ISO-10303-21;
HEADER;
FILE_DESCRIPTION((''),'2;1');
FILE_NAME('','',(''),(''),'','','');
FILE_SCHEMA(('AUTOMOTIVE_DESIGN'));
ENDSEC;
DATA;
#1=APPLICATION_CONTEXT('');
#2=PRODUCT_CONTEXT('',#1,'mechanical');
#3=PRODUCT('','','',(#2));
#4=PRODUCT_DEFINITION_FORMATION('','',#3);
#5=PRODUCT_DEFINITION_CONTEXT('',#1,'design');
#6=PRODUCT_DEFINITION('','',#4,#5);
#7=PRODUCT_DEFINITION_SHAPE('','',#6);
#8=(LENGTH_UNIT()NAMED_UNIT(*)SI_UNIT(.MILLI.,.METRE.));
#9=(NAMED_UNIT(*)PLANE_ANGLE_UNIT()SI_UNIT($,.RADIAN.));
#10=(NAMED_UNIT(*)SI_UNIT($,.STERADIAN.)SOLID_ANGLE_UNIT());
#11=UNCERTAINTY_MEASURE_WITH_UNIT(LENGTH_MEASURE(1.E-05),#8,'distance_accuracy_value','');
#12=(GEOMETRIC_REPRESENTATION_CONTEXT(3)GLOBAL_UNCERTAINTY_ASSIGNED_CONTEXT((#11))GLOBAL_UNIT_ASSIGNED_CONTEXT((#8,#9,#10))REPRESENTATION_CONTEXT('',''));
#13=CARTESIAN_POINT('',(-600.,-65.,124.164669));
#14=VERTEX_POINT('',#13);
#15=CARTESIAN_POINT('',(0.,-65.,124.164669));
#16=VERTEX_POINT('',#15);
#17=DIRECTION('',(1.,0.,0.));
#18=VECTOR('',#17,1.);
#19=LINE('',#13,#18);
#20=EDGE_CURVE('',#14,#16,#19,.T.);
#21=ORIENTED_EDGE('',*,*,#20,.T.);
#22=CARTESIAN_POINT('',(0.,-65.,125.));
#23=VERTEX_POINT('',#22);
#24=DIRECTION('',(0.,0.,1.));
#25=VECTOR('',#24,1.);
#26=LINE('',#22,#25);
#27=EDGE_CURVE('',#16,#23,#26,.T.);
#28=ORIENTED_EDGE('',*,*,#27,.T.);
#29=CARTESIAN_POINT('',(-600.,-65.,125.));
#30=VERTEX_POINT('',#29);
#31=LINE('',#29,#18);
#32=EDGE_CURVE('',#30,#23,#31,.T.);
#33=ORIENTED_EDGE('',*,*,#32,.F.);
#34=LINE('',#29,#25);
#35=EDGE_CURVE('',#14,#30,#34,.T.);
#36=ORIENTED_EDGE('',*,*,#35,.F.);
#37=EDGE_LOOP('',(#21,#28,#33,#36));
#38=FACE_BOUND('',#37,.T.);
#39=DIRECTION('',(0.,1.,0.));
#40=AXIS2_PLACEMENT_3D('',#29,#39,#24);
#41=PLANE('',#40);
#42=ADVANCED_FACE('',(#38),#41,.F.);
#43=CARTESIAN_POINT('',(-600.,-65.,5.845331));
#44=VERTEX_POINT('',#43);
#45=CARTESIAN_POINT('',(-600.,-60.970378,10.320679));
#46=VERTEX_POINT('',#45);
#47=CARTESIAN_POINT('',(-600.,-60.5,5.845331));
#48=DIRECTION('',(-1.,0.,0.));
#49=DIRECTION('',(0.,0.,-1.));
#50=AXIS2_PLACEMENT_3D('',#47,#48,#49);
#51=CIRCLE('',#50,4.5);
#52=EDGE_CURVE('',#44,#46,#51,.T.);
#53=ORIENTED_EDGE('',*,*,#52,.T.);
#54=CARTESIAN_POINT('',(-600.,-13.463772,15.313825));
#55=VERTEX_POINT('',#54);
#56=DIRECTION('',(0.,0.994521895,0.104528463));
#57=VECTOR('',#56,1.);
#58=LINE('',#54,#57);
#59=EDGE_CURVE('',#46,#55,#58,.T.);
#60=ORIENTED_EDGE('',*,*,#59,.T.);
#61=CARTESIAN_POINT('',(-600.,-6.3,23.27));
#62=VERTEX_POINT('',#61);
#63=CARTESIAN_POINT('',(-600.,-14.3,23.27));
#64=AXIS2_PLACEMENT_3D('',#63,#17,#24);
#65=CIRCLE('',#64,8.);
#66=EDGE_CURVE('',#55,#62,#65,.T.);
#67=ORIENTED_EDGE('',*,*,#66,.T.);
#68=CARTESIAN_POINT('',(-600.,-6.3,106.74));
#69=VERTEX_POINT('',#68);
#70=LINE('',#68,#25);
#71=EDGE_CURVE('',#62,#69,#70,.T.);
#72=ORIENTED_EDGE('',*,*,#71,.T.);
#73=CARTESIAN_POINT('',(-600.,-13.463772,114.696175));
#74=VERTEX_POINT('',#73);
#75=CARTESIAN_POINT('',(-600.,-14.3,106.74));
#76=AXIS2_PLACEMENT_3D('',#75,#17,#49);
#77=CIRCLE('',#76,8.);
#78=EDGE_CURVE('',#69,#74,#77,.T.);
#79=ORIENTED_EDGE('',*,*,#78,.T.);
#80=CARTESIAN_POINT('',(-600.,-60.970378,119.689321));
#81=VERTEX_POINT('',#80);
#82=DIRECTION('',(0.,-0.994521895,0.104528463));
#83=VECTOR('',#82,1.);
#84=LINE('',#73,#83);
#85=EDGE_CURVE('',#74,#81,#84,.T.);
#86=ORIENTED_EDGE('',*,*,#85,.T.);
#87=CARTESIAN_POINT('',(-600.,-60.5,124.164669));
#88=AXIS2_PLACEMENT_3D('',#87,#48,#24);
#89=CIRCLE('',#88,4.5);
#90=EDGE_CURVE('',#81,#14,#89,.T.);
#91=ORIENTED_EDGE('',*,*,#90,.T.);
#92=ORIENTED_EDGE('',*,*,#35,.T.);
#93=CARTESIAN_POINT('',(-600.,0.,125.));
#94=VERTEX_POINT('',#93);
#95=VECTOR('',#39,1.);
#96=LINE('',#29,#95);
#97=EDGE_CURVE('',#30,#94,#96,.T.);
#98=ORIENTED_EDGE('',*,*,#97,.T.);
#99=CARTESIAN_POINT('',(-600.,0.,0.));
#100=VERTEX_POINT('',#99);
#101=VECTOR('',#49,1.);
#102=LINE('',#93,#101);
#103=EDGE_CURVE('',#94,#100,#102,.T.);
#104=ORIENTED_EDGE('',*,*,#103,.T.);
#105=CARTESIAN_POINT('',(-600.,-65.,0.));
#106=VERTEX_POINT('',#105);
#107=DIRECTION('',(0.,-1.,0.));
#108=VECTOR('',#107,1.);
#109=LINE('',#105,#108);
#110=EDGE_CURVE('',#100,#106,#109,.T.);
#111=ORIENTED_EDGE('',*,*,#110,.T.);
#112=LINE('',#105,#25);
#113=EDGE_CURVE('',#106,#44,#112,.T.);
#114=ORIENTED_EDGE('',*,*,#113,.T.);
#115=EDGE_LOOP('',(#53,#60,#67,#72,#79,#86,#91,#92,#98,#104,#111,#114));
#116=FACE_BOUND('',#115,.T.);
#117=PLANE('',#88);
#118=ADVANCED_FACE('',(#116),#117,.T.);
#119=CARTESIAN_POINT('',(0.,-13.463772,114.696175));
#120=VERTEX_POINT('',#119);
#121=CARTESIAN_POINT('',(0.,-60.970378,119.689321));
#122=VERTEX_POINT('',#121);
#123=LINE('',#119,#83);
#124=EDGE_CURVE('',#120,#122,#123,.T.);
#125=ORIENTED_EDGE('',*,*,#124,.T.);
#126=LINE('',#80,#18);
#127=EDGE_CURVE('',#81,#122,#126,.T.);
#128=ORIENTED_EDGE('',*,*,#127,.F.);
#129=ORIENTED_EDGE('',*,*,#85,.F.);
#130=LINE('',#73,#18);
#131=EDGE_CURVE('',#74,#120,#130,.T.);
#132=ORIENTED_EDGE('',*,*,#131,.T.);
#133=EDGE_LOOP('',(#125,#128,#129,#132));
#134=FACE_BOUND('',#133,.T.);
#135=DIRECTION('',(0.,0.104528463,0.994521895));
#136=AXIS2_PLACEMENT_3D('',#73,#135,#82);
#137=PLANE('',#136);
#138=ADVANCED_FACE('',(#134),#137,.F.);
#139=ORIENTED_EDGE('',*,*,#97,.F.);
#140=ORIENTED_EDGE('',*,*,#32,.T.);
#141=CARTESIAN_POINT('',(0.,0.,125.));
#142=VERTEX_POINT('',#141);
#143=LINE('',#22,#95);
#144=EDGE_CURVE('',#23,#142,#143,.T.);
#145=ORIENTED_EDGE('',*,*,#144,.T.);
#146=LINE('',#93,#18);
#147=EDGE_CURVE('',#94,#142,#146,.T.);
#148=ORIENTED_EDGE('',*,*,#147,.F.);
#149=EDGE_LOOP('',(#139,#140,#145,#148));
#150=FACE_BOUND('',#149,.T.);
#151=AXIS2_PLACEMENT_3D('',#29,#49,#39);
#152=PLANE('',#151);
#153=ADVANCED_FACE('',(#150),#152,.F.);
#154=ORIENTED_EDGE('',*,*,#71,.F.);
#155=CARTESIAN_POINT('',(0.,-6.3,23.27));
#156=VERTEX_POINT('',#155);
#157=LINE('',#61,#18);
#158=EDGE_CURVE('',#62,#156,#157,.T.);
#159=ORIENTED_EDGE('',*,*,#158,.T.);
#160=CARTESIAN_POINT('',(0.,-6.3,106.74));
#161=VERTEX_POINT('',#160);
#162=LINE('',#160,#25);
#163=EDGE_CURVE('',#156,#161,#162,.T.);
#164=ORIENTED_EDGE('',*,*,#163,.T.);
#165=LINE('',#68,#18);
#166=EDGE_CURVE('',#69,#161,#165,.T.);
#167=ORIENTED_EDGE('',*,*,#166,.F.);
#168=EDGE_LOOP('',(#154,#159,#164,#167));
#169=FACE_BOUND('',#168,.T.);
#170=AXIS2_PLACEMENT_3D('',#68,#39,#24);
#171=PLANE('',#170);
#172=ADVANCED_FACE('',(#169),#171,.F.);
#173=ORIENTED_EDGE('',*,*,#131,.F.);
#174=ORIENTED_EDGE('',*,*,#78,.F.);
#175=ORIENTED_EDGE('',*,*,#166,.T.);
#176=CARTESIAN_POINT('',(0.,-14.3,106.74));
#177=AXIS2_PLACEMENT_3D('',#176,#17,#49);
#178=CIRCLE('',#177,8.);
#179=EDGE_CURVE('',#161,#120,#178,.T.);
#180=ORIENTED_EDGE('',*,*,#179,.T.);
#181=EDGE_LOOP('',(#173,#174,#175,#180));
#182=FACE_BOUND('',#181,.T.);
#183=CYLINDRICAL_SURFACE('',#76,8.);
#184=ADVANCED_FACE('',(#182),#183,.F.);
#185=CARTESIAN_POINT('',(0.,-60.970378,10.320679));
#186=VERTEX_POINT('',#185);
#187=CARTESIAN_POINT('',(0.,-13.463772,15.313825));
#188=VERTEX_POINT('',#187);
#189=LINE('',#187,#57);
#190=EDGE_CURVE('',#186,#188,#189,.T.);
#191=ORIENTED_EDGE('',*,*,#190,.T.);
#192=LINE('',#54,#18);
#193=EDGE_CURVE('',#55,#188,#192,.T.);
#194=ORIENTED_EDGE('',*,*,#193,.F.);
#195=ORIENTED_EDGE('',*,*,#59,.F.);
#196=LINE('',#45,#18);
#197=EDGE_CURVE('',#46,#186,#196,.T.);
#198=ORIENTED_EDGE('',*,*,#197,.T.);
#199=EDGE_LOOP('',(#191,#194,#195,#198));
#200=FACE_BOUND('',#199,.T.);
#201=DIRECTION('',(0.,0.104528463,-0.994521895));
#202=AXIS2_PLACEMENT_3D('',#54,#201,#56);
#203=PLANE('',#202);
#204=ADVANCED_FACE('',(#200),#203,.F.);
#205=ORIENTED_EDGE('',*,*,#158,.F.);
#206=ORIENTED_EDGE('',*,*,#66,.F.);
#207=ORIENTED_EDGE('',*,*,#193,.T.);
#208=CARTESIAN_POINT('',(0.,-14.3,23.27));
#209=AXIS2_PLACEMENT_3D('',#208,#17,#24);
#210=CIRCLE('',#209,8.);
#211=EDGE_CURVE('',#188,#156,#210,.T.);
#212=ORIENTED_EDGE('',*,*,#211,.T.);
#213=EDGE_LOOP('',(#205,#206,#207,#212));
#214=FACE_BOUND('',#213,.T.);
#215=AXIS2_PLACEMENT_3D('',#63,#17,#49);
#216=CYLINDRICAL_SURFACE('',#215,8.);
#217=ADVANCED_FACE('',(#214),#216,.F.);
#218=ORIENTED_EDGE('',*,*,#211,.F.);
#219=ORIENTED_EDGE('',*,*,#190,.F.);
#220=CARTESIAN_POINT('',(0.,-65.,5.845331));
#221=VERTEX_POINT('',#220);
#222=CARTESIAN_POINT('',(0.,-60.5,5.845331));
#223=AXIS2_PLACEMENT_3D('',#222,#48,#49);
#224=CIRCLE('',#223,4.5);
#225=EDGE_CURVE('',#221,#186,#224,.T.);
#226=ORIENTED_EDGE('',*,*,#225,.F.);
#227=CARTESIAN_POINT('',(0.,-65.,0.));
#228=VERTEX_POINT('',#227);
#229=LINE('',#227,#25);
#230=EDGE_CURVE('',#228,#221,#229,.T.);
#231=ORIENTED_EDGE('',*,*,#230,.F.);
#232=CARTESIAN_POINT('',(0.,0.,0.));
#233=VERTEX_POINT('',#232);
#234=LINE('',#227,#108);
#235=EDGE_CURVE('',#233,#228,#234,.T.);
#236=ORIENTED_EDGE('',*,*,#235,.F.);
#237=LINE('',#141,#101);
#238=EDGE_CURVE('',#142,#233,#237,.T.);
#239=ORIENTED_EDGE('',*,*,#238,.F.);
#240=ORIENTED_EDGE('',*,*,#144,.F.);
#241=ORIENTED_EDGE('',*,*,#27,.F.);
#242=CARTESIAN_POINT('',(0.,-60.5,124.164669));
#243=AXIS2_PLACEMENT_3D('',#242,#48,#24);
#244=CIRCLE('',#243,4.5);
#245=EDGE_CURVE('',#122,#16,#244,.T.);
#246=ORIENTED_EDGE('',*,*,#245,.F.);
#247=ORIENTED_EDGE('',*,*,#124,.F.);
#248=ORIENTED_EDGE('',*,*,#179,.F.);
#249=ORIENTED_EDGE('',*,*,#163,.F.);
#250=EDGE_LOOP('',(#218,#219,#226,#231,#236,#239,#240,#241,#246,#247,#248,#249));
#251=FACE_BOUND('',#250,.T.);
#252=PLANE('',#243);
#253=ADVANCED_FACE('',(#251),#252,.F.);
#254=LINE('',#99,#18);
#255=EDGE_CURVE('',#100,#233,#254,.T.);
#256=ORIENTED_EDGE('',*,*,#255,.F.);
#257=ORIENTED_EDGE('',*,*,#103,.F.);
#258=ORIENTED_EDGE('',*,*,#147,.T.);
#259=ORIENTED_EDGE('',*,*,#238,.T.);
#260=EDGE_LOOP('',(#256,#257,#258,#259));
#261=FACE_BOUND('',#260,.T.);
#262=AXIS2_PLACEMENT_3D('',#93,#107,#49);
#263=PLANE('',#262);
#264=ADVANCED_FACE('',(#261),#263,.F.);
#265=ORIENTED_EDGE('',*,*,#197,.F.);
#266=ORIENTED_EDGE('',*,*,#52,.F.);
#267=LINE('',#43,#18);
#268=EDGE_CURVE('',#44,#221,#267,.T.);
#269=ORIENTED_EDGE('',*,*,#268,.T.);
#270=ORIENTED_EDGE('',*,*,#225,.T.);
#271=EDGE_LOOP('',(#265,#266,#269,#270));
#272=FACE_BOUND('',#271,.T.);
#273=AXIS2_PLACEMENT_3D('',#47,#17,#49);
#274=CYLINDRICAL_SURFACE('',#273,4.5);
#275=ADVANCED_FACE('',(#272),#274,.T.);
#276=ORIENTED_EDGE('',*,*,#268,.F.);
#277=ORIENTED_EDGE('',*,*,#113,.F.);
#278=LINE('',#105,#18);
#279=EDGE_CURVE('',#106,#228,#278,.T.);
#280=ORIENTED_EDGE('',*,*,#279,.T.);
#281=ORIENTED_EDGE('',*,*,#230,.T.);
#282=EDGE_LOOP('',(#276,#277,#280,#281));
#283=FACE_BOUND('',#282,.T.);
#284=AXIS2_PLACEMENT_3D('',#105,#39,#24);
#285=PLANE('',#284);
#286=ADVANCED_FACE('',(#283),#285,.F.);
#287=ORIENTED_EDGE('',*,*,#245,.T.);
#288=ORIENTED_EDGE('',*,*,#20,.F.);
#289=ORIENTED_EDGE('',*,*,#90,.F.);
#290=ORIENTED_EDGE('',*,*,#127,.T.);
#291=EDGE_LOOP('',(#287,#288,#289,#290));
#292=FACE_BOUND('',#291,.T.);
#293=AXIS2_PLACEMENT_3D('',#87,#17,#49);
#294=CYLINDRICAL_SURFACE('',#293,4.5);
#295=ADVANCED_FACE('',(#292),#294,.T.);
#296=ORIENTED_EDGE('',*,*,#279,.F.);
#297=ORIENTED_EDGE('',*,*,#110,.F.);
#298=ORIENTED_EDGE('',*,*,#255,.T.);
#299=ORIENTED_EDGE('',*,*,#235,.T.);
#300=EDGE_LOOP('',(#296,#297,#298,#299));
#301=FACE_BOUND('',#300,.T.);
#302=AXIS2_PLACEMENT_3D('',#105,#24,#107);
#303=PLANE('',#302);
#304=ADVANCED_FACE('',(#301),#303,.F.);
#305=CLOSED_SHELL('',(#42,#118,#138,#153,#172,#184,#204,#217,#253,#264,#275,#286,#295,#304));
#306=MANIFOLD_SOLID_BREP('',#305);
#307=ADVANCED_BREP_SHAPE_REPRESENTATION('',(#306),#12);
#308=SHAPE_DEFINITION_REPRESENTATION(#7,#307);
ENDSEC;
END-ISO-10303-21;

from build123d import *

# Parameters (mm, degrees)
C_CHANNEL_120_X_12_1_DEPTH = 600


with BuildPart() as part:
    # Sketch11 → C channel 120 X 12(1) (new body)
    with BuildSketch(Plane(origin=(0, 0, 0), x_dir=(0, -1, 0), z_dir=(-1, 0, 0))):
        with BuildLine():
            Line((65, 125), (0, 125))
            Line((0, 125), (0, 0))
            Line((0, 0), (65, 0))
            Line((65, 0), (65, 5.845330836))
            ThreePointArc((65, 5.845330836), (63.844151715, 8.856418565), (60.970378085, 10.320679365))
            Line((60.970378085, 10.320679365), (13.463772294, 15.313824837))
            ThreePointArc((13.463772294, 15.313824837), (8.354841396, 17.916955149), (6.3, 23.27))
            Line((6.3, 23.27), (6.3, 106.74))
            ThreePointArc((6.3, 106.74), (8.354841396, 112.093044851), (13.463772294, 114.696175163))
            Line((13.463772294, 114.696175163), (60.970378085, 119.689320635))
            ThreePointArc((60.970378085, 119.689320635), (63.844151715, 121.153581435), (65, 124.164669164))
            Line((65, 124.164669164), (65, 125))
        make_face()
    extrude(amount=C_CHANNEL_120_X_12_1_DEPTH)


solid = part.part
